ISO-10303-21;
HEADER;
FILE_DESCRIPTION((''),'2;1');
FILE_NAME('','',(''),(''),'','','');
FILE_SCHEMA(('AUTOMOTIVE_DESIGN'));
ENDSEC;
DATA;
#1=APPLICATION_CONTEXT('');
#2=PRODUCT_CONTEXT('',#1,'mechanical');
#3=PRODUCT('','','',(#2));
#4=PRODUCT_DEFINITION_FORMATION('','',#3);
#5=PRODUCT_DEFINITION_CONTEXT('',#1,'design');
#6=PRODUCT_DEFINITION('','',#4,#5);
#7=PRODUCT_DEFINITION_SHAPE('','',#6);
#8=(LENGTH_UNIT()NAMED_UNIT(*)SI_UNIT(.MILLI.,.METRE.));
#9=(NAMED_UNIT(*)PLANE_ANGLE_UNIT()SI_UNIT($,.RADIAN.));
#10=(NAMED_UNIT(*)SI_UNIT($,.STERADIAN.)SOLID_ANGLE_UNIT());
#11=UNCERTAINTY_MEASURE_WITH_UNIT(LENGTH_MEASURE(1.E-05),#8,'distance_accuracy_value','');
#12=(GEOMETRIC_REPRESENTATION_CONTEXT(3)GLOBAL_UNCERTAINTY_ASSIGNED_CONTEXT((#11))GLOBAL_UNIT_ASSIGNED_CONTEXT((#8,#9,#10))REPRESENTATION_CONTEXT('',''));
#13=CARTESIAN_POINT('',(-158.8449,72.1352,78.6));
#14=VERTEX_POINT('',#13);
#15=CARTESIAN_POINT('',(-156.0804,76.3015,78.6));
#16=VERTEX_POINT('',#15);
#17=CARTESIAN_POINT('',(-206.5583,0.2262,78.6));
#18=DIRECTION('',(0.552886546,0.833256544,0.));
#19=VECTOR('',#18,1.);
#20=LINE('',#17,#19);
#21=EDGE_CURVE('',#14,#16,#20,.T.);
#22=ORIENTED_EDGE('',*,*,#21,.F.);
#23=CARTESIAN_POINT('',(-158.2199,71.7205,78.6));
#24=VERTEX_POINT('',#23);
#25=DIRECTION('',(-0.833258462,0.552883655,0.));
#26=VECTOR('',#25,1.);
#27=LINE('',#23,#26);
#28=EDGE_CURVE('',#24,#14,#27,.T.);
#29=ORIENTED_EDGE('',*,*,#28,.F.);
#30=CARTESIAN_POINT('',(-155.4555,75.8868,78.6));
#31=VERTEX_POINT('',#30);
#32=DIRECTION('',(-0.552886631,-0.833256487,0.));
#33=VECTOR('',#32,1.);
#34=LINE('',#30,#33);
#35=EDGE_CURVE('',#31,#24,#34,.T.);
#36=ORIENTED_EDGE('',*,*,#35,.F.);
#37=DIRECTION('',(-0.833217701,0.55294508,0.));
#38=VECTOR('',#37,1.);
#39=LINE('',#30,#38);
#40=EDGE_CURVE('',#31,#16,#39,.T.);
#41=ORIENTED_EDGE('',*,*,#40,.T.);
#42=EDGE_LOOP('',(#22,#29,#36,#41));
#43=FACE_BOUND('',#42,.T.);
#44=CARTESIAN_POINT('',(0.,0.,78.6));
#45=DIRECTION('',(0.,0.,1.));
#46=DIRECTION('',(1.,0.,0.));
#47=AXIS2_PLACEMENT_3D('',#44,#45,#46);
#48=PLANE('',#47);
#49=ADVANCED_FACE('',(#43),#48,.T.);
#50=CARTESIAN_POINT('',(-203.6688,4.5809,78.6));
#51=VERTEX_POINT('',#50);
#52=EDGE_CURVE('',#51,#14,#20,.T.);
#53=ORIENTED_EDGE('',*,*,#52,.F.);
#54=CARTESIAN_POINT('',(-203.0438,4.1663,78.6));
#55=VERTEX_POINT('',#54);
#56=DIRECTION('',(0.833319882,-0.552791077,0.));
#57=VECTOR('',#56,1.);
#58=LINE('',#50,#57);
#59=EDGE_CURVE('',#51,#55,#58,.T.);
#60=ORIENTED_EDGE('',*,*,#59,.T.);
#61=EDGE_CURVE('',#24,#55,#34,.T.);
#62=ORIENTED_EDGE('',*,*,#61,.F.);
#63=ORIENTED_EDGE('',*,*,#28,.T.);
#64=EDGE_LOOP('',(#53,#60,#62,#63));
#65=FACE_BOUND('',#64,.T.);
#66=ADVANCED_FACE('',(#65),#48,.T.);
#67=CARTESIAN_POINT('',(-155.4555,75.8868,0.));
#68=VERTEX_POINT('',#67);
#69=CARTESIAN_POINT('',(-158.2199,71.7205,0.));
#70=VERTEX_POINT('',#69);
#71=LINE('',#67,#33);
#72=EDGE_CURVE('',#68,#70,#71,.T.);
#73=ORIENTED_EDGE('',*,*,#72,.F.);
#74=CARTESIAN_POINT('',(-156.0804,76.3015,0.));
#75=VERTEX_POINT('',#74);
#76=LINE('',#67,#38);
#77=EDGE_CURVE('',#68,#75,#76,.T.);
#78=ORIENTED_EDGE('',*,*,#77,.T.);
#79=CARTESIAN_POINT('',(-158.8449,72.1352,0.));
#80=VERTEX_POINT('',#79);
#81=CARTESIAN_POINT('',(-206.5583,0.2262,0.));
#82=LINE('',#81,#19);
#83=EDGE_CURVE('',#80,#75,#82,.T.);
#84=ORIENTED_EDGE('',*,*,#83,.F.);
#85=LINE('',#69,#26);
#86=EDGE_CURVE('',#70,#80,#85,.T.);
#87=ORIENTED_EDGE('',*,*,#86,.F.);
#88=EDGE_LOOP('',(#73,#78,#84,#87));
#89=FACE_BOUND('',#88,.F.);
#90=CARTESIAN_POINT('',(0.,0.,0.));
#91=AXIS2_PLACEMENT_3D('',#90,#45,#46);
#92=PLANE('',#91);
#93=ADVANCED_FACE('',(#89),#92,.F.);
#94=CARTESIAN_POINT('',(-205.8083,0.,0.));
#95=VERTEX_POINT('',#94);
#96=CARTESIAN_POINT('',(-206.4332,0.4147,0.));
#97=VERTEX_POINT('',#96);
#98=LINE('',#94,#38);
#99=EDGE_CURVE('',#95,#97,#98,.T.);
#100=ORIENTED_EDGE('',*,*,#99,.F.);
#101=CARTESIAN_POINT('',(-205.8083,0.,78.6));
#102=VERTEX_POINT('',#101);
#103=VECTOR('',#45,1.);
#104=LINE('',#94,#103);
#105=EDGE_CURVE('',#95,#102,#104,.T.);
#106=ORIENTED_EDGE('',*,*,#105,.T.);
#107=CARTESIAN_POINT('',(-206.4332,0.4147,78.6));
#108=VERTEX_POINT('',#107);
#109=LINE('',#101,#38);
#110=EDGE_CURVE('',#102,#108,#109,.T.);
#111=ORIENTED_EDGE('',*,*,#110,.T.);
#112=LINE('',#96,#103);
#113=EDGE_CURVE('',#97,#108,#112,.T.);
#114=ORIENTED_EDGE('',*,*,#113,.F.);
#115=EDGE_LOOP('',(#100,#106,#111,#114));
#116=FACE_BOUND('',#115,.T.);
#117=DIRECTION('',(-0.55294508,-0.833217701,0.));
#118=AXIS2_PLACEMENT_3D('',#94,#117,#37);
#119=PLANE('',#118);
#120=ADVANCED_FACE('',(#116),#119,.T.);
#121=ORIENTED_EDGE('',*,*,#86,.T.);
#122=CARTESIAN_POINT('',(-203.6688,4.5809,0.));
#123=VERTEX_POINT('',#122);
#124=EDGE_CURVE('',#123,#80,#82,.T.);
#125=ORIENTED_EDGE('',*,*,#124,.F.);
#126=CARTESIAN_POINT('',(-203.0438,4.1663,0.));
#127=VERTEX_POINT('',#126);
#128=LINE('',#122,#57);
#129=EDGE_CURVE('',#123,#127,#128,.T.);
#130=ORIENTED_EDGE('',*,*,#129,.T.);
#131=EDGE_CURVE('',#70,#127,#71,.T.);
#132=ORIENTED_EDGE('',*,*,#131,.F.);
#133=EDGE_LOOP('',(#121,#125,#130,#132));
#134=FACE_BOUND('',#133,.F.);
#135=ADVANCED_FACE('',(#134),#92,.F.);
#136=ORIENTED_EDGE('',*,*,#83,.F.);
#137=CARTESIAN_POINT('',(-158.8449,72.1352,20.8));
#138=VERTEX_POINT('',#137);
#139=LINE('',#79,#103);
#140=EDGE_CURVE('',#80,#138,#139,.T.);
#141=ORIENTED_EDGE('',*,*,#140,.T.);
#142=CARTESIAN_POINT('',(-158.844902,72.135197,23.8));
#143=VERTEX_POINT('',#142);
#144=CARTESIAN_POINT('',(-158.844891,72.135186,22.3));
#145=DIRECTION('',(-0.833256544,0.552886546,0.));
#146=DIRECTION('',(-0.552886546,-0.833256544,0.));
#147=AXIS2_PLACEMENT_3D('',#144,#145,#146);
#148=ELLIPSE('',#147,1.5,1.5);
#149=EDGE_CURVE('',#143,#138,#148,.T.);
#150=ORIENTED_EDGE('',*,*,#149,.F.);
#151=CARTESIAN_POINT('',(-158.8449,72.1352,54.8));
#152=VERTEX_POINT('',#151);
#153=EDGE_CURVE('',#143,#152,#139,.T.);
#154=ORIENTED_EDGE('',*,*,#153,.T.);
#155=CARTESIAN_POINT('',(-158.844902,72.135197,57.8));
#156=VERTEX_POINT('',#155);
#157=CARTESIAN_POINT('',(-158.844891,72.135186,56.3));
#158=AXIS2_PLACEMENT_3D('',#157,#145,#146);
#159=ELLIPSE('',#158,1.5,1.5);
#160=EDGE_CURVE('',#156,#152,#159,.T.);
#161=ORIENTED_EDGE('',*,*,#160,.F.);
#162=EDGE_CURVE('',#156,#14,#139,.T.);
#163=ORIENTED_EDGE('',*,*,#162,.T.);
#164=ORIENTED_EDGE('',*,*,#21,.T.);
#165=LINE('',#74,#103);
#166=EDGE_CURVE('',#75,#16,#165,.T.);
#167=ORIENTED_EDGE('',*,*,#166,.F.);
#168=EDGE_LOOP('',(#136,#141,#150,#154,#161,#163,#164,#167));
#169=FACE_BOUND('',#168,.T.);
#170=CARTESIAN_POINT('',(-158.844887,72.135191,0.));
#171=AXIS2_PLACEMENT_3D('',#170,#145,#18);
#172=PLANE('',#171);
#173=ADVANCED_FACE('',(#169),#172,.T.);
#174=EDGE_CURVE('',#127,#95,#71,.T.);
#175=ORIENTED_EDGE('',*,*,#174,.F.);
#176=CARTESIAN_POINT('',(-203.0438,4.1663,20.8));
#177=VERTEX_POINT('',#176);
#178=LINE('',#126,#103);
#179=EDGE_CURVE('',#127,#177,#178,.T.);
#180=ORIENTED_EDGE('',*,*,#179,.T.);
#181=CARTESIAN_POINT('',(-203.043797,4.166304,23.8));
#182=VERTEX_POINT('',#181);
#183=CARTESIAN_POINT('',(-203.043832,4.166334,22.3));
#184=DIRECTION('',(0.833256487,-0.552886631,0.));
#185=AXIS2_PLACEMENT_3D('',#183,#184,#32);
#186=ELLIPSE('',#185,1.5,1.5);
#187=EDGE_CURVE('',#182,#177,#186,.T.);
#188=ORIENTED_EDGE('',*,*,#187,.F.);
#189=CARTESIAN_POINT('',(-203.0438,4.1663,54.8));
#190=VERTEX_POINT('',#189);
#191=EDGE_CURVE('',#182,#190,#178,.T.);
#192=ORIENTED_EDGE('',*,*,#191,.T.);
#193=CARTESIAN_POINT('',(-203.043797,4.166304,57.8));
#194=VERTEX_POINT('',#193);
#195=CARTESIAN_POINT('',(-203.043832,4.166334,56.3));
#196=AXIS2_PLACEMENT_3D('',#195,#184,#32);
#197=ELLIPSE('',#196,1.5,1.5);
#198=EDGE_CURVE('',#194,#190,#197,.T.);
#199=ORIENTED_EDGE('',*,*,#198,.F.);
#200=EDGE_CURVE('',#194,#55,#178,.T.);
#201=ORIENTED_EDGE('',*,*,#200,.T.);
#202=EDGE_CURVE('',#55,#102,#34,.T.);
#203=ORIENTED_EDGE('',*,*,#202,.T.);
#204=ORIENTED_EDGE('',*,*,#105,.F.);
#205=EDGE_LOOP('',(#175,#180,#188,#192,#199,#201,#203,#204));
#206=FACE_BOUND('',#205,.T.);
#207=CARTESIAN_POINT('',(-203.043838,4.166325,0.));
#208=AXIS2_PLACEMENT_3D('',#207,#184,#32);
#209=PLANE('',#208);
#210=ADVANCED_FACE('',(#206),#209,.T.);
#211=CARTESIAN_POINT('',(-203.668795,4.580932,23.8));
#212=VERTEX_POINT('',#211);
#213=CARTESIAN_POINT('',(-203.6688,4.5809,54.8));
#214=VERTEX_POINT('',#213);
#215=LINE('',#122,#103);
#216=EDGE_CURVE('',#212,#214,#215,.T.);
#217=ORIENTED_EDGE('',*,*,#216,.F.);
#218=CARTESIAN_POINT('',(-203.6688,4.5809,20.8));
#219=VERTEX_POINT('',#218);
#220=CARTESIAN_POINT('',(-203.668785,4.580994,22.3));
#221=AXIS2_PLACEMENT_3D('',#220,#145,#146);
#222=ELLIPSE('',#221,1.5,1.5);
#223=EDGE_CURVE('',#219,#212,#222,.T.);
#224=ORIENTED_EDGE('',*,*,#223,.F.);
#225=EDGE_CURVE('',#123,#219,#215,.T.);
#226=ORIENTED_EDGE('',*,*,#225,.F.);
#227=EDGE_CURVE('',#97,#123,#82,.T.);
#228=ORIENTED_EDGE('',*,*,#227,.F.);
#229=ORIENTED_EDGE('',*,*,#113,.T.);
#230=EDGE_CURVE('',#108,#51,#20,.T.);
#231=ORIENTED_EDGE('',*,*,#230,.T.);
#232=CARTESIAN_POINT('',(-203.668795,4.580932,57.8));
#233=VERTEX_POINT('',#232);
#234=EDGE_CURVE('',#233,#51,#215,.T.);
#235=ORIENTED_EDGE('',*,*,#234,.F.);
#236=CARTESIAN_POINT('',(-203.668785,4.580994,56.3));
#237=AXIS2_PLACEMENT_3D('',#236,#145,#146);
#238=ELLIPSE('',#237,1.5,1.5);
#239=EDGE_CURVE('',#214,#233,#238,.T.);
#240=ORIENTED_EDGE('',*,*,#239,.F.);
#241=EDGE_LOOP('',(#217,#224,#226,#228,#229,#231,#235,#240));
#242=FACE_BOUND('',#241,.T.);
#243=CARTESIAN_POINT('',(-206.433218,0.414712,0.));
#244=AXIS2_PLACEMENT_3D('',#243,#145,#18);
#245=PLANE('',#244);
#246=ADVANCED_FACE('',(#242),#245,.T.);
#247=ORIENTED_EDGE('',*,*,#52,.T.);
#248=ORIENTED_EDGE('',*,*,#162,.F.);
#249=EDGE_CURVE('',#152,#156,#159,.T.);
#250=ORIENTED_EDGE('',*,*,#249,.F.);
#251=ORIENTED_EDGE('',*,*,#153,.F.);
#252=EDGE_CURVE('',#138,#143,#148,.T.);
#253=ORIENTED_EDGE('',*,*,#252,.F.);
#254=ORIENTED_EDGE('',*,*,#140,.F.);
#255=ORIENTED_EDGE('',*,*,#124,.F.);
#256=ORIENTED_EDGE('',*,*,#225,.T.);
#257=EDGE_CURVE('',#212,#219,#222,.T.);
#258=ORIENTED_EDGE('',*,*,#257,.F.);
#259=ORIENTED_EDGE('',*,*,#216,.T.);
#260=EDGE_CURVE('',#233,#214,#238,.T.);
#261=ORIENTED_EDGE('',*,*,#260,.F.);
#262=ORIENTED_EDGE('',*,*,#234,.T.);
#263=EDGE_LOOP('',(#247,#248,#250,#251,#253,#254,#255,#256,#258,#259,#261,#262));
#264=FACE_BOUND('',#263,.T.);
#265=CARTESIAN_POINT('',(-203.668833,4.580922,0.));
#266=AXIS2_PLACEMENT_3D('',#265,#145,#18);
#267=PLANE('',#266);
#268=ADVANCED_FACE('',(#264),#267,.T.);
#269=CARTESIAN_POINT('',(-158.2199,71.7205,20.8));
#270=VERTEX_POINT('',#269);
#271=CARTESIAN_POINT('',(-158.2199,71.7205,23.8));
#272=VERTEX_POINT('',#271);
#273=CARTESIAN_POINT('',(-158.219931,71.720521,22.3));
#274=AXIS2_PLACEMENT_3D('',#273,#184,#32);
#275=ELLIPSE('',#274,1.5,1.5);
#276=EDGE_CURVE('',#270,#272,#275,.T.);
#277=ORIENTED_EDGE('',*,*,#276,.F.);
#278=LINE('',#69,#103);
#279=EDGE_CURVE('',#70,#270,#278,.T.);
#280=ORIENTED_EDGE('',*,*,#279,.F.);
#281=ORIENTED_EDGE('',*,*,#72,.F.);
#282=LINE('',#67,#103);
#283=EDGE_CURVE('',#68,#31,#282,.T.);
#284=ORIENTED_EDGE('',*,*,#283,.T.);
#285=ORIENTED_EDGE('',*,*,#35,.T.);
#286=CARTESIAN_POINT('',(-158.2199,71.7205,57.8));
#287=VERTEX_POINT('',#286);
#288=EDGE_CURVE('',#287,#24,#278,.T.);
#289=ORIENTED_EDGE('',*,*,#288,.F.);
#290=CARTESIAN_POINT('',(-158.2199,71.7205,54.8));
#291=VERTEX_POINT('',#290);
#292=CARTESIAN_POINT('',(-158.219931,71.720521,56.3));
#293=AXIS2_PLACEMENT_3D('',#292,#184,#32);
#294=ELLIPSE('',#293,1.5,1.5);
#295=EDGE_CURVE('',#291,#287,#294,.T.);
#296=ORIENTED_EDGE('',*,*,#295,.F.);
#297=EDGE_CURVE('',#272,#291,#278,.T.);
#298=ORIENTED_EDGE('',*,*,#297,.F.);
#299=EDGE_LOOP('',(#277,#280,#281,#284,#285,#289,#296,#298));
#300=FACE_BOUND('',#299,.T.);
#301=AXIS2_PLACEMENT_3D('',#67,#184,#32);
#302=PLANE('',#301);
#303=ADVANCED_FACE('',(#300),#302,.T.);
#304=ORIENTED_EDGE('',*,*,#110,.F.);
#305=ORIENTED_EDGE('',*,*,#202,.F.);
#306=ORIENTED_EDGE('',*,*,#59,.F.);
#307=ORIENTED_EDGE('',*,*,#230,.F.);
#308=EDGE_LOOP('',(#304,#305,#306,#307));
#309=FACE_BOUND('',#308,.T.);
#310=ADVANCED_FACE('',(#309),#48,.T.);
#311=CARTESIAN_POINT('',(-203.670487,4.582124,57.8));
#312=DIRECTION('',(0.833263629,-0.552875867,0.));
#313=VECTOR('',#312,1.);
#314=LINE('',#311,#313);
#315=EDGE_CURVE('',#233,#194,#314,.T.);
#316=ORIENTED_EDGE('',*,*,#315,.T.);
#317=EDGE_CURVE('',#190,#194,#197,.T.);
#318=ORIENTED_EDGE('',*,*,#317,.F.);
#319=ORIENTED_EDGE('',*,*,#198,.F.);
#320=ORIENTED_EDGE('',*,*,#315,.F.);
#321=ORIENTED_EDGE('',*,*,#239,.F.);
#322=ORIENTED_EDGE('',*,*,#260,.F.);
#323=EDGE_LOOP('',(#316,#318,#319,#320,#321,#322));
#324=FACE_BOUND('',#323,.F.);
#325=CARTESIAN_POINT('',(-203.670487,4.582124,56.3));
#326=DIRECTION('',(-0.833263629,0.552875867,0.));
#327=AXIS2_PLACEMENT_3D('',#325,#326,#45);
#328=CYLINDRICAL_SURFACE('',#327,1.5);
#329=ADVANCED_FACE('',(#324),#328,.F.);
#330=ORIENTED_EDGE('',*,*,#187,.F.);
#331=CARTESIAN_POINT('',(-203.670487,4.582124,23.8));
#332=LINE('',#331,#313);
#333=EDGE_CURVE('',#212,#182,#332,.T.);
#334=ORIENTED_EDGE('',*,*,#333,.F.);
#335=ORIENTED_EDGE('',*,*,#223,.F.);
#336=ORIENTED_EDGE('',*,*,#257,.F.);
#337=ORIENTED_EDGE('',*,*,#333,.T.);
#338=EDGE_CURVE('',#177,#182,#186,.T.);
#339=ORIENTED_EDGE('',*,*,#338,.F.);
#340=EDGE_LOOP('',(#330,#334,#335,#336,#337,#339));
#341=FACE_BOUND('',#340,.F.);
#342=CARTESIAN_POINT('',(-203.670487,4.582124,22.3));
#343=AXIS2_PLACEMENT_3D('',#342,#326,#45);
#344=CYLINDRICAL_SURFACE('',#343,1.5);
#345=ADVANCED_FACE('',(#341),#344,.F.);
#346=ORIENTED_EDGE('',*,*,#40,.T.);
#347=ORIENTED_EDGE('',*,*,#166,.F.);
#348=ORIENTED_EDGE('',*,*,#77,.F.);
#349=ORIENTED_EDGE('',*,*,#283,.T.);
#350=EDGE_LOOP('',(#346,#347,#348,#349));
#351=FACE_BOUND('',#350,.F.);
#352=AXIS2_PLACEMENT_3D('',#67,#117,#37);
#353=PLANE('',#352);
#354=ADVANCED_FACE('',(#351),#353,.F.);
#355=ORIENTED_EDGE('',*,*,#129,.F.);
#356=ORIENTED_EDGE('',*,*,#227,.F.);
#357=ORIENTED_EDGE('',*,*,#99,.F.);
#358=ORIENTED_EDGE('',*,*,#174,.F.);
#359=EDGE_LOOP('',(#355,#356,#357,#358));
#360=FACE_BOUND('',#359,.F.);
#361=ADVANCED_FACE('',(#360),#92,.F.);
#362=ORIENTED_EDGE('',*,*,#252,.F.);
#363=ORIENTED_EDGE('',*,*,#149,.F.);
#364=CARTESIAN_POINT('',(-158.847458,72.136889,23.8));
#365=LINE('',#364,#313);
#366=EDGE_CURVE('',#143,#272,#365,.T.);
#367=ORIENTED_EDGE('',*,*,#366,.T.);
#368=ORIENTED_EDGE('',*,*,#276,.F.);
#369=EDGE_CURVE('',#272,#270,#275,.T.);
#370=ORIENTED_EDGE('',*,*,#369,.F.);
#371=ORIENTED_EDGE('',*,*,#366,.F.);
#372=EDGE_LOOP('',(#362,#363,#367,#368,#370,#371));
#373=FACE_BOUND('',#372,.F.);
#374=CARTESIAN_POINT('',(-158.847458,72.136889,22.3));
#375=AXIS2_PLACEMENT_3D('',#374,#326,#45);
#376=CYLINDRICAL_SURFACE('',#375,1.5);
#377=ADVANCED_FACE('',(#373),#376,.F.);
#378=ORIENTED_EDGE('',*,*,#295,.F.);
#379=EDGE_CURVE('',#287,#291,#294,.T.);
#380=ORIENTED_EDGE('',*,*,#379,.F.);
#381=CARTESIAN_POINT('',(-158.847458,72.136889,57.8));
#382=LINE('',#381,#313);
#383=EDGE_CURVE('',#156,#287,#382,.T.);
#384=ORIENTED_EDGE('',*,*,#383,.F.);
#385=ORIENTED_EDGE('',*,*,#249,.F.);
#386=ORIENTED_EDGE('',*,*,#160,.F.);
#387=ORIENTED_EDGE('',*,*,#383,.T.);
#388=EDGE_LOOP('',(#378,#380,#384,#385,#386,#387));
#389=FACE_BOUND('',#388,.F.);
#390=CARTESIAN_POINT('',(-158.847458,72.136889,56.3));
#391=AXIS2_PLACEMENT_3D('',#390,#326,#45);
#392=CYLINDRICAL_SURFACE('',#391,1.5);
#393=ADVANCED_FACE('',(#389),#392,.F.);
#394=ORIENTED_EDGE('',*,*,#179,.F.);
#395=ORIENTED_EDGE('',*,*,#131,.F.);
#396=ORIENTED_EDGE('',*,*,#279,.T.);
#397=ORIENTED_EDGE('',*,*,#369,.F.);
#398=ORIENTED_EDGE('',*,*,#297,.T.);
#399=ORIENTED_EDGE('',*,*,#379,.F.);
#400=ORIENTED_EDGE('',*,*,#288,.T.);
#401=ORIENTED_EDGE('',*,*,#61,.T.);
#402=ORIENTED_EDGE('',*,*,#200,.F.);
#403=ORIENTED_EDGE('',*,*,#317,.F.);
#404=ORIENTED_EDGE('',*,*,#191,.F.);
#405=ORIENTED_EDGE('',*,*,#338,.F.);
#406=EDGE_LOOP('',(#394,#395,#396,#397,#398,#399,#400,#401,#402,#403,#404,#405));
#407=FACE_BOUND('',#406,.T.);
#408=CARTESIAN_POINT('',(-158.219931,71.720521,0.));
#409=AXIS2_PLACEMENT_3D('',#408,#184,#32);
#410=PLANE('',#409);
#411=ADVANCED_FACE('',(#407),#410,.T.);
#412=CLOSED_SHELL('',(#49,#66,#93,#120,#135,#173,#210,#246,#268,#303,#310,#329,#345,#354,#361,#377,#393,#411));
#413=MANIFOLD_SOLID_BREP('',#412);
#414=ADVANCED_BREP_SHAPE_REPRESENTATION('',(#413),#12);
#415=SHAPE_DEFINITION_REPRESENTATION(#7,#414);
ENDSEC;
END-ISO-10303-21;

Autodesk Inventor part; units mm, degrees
ref_plane "YZ Plane" through (0, 0, 0) normal (1, 0, 0) x (0, 1, 0)
ref_plane "XZ Plane" through (0, 0, 0) normal (0, 1, 0) x (-1, 0, 0)
ref_plane "XY Plane" through (0, 0, 0) normal (0, 0, 1) x (1, 0, 0)
sketch "スケッチ1" plane through (0, 0, 0) normal (0, 0, 1) x (1, 0, 0)
  circle A0 centre (152.1225, -73.6752) radius 4
  line L0 (206.0478, 0.7) -> (205.7783, 0.7)
  circle A1 centre (152.1225, -73.6752) radius 4
  line L1 (206.0478, 0.7) -> (205.7783, 0.7)
  circle A2 centre (171.8792, -18.7507) radius 14
  circle A3 centre (-152.1225, 73.6752) radius 4
  line L2 (-206.0478, -0.7) -> (-205.7783, -0.7)
  circle A4 centre (-152.1225, 73.6752) radius 4
  line L3 (-206.0478, -0.7) -> (-205.7783, -0.7)
  circle A5 centre (-171.8792, 18.7507) radius 14
  line L4 (-152.1225, 73.6752) -> (-155.4555, 75.8868)
  line L5 (-155.4555, 75.8868) -> (-205.8083, 0)
  circle A6 centre (152.1225, -73.6752) radius 4
  line L6 (206.0478, 0.7) -> (205.7783, 0.7)
  circle A7 centre (171.8792, -18.7507) radius 14
  line L7 (250, 0) -> (156.4849, 0)
  line L8 (-250, 0) -> (-156.4849, 0)
  line L9 (-205.8083, -0.7) -> (-205.8083, 0)
  line L10 (-206.5583, -0.7) -> (-206.5583, 0.2262)
  line L11 (-206.5583, 0.2262) -> (-155.6658, 76.9264)
  line L12 (-155.6658, 76.9264) -> (-151.7078, 74.3002) construction
  line L13 (-155.4555, 75.8868) -> (-156.0804, 76.3015)
  line L14 (-205.8083, 0) -> (-206.4332, 0.4147)
  line L15 (-203.6688, 4.5809) -> (-203.0438, 4.1663)
  line L16 (-158.2199, 71.7205) -> (-158.8449, 72.1352)
  point P0 (0, 0)
  point P1 (205.8083, 0.7)
  point P2 (205.8083, 0.7)
  point P3 (205.8083, 0.7)
  dimension "d2" = 360
  dimension "d6" = 360
  dimension "d8" = 0.75
  dimension "d11" = 5
  dimension "d12" = 5
  dimension "d27" = 56.435
extrude "押し出し1" add sketch "スケッチ1" along normal blind 78.6 contours L5 L16 L11 L13 | L5 L15 L11 L16 | L5 L14 L11 L15
sketch "スケッチ2" plane through (-206.4332, 0.4147, 0) normal (-0.8333, 0.5529, 0) x (0, 0, 1)
  line L0 (0, 91.0725) -> (0, 0) projected
  line L1 (0, 0) -> (78.6, 0) projected
  line L2 (78.6, 91.0725) -> (78.6, 0) projected
  line L3 (0, 91.0725) -> (78.6, 91.0725) projected
  line L4 (0, 86.0725) -> (78.6, 86.0725)
  line L5 (0, 5) -> (78.6, 5)
  line L6 (39.3, 91.0725) -> (39.3, 0)
  circle A0 centre (22.3, 5) radius 1.5
  circle A1 centre (56.3, 5) radius 1.5
  circle A2 centre (22.3, 86.0725) radius 1.5
  circle A3 centre (56.3, 86.0725) radius 1.5
  point P0 (0, 113.7886)
  dimension "d13" = 5
  dimension "d14" = 5
  dimension "d15" = 39.3
  dimension "d16" = 39.3
  dimension "d17" = 3
  dimension "d18" = 3
  dimension "d19" = 3
  dimension "d20" = 3
  dimension "d21" = 17
  dimension "d22" = 17
  dimension "d23" = 17
  dimension "d24" = 17
extrude "押し出し2" cut sketch "スケッチ2" against normal blind 10 contours A2 L4 | L4 A2 | A0 L5 | L5 A0 | A3 L4 | L4 A3 | A1 L5 | L5 A1
properties part number "モーターガード" material "ポリプロピレン"
